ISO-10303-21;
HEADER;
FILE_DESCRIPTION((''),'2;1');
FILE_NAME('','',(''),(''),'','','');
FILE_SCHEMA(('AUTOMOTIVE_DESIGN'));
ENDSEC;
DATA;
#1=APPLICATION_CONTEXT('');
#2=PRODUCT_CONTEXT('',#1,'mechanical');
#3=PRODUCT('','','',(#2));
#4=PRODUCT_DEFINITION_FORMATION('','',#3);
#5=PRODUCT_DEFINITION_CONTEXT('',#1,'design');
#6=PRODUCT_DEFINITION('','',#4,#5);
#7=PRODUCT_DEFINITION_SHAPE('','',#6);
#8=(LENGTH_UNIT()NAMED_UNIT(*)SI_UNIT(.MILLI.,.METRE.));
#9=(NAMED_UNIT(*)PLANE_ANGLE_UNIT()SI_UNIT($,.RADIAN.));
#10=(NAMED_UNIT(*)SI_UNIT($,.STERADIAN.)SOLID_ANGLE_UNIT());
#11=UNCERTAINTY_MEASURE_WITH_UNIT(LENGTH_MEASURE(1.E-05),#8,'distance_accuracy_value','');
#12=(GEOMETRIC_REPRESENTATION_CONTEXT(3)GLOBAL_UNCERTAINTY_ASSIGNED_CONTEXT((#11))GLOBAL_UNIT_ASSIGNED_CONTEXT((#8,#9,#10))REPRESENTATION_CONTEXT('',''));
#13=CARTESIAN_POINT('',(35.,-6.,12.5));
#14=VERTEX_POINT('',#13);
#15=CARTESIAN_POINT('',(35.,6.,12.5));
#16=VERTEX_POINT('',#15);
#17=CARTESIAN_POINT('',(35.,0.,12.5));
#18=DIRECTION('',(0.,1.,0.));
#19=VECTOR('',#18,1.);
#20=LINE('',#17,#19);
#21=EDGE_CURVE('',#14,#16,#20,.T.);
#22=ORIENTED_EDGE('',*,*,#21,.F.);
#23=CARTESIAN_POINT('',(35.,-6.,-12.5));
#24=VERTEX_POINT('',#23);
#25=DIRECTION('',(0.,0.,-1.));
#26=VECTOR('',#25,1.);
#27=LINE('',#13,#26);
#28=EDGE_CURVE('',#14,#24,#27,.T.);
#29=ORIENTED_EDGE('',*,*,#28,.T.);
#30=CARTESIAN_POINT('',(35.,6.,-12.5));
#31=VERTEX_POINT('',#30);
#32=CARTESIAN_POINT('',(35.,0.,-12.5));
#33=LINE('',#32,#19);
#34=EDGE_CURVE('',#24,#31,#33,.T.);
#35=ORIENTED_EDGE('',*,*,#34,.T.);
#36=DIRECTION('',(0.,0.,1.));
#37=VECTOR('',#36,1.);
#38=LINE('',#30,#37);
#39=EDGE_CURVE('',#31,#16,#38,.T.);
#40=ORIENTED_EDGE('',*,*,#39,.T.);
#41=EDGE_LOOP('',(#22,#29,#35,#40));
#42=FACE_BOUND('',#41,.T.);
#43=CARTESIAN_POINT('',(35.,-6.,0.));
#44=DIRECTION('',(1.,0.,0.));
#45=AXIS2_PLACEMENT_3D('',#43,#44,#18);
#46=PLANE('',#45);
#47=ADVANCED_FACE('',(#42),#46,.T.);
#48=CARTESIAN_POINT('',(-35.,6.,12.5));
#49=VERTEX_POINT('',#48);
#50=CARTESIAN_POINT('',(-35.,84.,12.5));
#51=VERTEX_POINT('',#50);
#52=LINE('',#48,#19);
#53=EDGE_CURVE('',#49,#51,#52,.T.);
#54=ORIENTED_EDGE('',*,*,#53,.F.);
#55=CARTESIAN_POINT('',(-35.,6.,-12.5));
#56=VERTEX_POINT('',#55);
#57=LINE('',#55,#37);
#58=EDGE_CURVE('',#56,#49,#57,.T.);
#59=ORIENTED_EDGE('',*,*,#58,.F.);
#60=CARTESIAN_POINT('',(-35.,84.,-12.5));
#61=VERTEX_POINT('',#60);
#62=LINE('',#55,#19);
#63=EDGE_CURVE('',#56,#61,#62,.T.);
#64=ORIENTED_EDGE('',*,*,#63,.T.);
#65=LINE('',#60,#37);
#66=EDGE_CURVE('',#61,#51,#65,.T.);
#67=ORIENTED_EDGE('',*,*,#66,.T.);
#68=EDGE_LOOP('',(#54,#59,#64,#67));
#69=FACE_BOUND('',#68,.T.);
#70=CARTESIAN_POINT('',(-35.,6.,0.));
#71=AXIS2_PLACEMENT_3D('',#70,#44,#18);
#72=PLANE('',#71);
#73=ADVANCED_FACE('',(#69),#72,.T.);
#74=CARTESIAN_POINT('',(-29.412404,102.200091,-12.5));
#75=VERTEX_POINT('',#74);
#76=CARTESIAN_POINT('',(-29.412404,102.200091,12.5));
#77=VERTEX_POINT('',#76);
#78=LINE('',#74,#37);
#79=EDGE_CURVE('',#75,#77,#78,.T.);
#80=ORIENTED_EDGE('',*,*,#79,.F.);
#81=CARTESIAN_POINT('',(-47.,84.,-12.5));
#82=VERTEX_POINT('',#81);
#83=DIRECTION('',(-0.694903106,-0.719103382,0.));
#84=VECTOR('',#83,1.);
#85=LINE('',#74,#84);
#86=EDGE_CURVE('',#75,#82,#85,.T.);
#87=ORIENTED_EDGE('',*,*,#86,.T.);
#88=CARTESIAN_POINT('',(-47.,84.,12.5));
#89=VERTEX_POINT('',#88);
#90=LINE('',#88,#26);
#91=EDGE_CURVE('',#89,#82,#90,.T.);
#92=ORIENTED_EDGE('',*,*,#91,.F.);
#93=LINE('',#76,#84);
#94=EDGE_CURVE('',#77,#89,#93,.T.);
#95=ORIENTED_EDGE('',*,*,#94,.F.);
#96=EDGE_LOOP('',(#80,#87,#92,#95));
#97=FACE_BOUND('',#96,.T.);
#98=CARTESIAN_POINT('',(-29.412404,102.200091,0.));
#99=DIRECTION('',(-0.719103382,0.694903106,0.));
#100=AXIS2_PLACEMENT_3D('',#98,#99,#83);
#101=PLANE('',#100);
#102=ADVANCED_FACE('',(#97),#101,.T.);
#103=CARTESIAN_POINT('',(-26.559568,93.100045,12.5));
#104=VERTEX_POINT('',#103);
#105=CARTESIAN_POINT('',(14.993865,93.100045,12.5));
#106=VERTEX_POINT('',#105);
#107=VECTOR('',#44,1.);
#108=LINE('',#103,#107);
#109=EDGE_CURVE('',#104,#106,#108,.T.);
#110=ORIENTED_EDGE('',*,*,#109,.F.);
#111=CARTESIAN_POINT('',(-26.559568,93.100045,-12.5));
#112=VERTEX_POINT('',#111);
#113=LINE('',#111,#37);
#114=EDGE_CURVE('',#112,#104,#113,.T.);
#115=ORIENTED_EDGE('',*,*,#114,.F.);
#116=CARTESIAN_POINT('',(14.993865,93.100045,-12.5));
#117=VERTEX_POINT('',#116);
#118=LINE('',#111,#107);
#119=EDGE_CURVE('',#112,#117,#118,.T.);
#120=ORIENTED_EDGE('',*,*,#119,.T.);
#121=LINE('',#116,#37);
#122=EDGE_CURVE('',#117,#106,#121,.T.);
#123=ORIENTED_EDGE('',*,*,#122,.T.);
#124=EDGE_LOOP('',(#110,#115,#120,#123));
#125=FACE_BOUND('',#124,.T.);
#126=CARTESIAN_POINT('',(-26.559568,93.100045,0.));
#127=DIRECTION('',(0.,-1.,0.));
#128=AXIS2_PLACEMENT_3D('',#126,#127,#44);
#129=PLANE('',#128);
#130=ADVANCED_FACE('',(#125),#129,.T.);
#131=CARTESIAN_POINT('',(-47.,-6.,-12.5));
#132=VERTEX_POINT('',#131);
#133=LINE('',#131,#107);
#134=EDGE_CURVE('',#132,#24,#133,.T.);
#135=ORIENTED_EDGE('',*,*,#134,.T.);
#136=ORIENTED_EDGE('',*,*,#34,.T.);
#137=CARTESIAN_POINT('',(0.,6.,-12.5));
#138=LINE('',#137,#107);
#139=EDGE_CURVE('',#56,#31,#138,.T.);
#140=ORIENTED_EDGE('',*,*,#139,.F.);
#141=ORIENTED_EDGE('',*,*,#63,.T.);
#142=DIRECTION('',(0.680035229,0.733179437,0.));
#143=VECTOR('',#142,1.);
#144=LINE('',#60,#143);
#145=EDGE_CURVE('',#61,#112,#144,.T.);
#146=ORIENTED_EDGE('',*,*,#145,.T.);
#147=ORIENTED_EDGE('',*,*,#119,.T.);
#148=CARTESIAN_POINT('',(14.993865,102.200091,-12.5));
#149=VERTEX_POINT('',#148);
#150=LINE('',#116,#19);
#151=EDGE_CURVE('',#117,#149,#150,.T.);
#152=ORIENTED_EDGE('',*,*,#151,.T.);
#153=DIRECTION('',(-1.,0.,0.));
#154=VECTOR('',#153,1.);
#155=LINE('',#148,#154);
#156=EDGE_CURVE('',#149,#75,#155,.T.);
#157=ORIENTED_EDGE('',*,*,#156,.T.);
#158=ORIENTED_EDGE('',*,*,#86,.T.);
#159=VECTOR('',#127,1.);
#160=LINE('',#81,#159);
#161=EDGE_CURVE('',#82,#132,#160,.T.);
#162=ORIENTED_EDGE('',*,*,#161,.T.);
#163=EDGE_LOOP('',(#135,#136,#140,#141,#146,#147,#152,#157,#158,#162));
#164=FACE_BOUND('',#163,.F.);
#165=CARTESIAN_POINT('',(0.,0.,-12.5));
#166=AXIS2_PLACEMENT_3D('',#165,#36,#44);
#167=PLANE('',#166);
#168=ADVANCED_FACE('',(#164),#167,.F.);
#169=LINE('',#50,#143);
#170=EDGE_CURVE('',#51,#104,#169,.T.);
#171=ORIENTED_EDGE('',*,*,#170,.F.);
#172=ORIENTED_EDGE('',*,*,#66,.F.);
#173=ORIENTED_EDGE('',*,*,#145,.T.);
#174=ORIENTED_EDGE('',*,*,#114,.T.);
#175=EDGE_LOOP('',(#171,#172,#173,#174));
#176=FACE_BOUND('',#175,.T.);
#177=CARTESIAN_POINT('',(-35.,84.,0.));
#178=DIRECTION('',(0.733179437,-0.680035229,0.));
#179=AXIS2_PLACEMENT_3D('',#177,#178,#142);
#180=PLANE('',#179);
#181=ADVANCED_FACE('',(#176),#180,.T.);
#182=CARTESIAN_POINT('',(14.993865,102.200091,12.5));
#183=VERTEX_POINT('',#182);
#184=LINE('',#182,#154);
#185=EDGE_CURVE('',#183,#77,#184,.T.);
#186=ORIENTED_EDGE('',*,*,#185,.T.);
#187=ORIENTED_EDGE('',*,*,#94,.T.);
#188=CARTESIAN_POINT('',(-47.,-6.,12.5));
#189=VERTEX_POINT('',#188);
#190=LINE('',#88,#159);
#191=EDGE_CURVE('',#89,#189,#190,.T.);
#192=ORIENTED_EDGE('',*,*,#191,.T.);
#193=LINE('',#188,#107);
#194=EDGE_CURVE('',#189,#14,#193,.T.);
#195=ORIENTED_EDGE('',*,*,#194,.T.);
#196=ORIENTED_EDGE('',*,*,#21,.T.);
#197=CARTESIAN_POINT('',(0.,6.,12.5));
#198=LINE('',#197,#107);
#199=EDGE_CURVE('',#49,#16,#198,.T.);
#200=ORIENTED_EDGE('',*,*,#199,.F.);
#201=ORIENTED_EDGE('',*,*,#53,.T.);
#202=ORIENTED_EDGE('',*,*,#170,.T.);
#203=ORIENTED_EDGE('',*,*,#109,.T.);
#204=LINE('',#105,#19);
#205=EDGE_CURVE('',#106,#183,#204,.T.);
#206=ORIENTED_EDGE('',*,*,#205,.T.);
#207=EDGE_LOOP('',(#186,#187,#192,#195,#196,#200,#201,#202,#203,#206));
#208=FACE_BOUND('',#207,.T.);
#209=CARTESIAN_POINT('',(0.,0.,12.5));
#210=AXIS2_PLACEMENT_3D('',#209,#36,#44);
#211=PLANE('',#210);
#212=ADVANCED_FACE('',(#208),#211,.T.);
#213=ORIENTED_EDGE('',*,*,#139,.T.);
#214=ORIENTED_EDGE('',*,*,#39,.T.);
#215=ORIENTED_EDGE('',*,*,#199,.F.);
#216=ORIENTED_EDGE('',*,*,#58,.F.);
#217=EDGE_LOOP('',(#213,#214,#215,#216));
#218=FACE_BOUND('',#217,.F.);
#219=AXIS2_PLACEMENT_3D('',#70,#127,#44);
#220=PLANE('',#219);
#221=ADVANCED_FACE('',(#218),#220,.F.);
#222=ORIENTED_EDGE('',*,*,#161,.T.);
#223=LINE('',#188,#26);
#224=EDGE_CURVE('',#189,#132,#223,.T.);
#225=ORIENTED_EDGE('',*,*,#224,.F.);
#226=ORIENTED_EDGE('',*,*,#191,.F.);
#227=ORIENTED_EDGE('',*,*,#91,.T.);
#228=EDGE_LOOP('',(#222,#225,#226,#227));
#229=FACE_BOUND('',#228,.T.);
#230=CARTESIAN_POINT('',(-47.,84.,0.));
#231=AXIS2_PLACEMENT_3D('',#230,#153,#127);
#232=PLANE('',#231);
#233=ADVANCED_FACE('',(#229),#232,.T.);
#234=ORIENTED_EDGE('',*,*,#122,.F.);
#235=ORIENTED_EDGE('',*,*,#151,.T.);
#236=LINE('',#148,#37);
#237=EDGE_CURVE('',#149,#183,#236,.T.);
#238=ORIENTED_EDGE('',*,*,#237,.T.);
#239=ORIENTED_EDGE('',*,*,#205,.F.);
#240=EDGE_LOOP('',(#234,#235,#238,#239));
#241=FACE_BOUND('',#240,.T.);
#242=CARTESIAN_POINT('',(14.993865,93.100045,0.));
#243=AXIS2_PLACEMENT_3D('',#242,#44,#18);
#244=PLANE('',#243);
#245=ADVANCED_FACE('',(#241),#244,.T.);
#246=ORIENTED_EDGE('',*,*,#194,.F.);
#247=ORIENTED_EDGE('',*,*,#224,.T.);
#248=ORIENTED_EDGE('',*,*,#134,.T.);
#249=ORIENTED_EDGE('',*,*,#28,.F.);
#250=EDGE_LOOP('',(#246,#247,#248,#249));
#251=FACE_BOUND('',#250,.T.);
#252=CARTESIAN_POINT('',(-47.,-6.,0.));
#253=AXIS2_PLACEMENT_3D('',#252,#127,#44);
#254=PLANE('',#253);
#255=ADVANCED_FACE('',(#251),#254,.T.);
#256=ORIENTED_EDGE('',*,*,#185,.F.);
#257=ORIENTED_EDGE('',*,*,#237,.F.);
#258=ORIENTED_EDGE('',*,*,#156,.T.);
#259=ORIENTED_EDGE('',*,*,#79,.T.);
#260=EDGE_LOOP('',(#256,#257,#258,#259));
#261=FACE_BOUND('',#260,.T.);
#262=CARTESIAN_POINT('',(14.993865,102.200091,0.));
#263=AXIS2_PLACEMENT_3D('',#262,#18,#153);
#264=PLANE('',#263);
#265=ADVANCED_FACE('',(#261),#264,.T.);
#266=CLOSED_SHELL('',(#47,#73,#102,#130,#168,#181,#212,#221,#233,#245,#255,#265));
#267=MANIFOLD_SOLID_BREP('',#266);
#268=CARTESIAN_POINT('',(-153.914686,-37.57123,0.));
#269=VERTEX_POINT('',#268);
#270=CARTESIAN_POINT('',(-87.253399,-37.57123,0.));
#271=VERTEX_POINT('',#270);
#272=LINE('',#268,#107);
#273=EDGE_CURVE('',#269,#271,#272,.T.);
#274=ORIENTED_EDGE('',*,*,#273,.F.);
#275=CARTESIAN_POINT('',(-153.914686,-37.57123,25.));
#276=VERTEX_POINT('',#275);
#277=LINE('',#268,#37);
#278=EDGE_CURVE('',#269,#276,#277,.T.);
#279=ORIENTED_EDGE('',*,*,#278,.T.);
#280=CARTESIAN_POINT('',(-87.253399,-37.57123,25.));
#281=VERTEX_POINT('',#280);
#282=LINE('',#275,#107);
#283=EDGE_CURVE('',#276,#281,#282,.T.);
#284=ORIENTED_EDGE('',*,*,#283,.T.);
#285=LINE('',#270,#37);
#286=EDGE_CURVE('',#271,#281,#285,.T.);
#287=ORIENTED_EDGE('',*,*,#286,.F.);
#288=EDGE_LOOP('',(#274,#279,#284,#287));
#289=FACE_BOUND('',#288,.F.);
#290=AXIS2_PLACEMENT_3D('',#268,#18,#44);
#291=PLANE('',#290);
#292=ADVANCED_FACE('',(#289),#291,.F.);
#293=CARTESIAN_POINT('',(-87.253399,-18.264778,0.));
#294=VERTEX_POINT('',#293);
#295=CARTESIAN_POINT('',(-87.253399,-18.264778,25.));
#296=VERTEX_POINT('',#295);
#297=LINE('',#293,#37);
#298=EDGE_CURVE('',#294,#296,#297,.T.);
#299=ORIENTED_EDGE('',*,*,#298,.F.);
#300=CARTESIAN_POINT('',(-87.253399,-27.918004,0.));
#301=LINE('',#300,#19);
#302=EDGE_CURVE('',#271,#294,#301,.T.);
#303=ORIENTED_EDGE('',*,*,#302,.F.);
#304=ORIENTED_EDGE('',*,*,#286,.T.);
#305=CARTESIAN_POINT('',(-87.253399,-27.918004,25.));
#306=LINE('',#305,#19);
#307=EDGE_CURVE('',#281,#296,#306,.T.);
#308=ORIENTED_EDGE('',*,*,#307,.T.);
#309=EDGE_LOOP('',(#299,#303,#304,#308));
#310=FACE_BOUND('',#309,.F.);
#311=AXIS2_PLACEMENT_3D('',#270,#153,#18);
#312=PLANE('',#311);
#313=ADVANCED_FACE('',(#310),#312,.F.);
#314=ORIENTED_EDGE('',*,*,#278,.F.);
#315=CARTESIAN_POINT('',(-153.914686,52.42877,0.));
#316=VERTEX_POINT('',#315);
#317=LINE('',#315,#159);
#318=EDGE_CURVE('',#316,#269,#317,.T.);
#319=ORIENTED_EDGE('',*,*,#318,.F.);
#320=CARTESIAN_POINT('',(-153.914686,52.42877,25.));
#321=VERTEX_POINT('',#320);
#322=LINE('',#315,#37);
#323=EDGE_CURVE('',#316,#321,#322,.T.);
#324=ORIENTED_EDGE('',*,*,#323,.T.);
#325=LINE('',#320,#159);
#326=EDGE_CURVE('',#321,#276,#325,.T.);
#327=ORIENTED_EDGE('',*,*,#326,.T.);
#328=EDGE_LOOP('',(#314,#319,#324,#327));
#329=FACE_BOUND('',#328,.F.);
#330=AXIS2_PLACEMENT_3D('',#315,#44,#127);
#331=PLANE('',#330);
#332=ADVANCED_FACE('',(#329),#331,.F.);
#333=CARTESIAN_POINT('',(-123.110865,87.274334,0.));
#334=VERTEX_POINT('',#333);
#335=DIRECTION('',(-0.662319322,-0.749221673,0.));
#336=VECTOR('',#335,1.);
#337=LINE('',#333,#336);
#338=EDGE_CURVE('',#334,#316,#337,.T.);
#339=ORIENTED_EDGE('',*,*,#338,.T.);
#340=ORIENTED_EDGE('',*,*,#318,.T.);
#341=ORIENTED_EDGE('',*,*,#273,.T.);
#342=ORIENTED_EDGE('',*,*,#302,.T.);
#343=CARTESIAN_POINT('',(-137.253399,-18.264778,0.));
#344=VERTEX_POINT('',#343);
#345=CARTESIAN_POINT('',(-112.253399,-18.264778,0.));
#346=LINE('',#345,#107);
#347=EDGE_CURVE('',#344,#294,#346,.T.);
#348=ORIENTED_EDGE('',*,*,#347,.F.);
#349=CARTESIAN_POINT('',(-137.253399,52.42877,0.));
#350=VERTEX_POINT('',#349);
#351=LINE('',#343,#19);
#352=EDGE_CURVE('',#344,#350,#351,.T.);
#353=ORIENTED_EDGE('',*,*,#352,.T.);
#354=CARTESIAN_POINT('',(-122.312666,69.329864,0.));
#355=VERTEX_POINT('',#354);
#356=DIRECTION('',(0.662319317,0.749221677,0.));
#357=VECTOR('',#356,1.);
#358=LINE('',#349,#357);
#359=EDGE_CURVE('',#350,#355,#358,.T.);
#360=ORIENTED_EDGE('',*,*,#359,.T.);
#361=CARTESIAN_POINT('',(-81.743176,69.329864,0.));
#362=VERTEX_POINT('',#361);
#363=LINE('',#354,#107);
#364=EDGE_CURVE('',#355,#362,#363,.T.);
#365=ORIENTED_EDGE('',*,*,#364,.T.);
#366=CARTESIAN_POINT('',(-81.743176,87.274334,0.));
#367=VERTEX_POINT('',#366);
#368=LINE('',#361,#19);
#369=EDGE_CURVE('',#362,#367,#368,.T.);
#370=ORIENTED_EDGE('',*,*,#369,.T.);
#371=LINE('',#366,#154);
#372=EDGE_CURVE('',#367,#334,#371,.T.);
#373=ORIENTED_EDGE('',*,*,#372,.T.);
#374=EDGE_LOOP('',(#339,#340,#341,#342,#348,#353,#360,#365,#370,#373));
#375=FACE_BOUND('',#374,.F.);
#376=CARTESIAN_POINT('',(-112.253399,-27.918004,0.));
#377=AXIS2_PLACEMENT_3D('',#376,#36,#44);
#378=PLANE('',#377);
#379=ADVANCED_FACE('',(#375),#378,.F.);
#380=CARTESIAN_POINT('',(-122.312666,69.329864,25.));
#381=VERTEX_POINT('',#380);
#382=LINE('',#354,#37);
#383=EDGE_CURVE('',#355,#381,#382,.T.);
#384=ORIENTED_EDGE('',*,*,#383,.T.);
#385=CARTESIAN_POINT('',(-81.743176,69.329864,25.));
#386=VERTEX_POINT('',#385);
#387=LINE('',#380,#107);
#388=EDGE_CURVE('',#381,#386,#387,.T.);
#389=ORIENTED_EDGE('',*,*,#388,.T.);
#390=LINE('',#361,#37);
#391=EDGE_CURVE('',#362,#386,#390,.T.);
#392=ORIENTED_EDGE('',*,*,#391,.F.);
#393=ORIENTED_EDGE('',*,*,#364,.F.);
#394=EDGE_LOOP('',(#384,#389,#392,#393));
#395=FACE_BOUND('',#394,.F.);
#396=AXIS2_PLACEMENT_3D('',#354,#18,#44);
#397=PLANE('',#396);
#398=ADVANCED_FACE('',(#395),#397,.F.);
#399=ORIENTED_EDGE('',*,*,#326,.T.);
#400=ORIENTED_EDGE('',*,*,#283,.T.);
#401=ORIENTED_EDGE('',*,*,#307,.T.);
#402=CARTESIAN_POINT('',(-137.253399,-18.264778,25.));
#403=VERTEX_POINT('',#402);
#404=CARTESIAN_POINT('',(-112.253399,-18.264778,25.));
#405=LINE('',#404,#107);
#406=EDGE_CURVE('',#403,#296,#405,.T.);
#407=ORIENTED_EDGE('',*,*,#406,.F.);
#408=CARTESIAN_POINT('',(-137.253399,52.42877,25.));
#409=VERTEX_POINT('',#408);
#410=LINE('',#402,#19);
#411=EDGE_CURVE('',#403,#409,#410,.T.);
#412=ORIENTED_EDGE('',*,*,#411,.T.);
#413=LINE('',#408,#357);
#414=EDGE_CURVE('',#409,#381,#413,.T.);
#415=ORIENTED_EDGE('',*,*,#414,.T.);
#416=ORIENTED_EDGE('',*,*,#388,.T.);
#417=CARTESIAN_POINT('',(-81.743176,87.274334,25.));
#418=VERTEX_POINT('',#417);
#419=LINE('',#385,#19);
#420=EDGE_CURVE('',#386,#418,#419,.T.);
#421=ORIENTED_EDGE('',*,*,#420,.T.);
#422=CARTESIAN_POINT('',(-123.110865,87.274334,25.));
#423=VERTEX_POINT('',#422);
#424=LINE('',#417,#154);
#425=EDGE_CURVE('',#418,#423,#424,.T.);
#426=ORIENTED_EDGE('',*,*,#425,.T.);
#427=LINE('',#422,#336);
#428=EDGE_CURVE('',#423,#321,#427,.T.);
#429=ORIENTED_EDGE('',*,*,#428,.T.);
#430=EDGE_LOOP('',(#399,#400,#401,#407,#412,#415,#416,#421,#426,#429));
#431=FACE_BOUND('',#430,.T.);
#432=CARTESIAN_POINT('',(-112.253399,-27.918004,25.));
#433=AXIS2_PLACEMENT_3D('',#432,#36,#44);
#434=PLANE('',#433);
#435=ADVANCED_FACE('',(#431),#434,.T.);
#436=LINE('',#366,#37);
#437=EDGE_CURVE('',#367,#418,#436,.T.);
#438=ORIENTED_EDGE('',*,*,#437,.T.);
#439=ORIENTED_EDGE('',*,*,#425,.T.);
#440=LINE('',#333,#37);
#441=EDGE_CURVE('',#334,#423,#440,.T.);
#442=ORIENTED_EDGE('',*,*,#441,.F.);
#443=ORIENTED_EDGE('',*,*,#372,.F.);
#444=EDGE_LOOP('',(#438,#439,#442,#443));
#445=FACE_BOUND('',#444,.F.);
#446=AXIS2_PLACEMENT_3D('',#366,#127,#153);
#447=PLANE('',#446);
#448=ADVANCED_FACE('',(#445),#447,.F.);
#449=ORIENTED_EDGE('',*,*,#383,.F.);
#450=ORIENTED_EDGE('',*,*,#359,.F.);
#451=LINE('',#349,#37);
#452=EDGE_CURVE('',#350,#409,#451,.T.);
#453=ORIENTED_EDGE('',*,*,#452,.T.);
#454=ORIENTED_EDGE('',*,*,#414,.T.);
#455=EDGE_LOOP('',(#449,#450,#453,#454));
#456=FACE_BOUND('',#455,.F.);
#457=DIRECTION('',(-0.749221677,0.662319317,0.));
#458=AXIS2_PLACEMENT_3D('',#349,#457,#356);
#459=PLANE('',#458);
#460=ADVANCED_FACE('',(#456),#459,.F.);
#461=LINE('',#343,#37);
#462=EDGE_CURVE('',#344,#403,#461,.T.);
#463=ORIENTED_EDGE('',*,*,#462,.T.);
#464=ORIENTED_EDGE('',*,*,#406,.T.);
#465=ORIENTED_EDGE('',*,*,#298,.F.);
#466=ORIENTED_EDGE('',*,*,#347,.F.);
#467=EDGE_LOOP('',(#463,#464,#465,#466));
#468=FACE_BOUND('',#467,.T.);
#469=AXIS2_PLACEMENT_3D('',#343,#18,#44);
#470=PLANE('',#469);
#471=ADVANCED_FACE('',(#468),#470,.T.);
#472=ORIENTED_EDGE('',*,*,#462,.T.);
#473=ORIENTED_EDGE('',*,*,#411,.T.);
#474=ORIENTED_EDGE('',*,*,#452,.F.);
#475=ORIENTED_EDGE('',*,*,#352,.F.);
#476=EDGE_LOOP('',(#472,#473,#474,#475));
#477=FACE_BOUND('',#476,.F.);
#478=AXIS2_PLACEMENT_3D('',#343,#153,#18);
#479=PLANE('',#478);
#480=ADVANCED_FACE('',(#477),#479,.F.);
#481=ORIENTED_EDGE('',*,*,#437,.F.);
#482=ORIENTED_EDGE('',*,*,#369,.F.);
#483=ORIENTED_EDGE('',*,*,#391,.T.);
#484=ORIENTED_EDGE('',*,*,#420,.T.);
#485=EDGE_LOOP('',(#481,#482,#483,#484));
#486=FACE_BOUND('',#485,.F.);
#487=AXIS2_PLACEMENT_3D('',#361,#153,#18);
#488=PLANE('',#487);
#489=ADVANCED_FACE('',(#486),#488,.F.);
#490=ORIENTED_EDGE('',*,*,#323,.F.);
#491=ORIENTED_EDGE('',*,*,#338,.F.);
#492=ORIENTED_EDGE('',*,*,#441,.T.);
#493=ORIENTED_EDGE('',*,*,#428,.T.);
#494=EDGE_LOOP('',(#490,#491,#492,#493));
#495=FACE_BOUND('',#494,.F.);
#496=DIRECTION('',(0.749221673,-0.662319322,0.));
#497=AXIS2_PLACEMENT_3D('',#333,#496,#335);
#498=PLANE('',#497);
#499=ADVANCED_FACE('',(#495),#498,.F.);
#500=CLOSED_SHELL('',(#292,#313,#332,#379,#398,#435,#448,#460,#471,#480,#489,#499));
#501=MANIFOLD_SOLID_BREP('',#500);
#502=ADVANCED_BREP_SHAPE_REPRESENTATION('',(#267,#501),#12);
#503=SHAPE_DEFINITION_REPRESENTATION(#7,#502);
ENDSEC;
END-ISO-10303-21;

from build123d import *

# Parameters (mm, degrees)
F0_W     = 70
F0_H     = 12
F1_DEPTH = 12.5
F2_W     = 50
F2_H     = 19.306452
F3_DEPTH = 25


with BuildPart() as f1:
    # F0 (on Top) → F1 (new body, symmetric)
    with BuildSketch(Plane.XY):
        Rectangle(F0_W, F0_H)
        Polygon((-35, -6), (-35, 6), (-35, 84), (-47, 84), (-47, -6), align=None)
        Polygon((-47, 84), (-35, 84), (-26.559568, 93.100045), (-29.412404, 93.100045), (-29.412404, 102.200091), align=None)
        Polygon((-29.412404, 93.100045), (-26.559568, 93.100045), (14.993865, 93.100045), (14.993865, 102.200091), (-29.412404, 102.200091), align=None)
    extrude(amount=F1_DEPTH, both=True)


with BuildPart() as f3:
    # F2 (on Top) → F3 (new body)
    with BuildSketch(Plane.XY):
        with Locations((-112.253399, -27.918004)):
            Rectangle(F2_W, F2_H)
        Polygon((-137.253399, -37.57123), (-137.253399, -18.264778), (-137.253399, 52.42877), (-153.914686, 52.42877), (-153.914686, -37.57123), align=None)
        Polygon((-153.914686, 52.42877), (-137.253399, 52.42877), (-122.312666, 69.329864), (-123.110865, 69.329864), (-123.110865, 87.274334), align=None)
        Polygon((-123.110865, 69.329864), (-122.312666, 69.329864), (-81.743176, 69.329864), (-81.743176, 87.274334), (-123.110865, 87.274334), align=None)
    extrude(amount=F3_DEPTH)


solid = Compound([f1.part, f3.part])
